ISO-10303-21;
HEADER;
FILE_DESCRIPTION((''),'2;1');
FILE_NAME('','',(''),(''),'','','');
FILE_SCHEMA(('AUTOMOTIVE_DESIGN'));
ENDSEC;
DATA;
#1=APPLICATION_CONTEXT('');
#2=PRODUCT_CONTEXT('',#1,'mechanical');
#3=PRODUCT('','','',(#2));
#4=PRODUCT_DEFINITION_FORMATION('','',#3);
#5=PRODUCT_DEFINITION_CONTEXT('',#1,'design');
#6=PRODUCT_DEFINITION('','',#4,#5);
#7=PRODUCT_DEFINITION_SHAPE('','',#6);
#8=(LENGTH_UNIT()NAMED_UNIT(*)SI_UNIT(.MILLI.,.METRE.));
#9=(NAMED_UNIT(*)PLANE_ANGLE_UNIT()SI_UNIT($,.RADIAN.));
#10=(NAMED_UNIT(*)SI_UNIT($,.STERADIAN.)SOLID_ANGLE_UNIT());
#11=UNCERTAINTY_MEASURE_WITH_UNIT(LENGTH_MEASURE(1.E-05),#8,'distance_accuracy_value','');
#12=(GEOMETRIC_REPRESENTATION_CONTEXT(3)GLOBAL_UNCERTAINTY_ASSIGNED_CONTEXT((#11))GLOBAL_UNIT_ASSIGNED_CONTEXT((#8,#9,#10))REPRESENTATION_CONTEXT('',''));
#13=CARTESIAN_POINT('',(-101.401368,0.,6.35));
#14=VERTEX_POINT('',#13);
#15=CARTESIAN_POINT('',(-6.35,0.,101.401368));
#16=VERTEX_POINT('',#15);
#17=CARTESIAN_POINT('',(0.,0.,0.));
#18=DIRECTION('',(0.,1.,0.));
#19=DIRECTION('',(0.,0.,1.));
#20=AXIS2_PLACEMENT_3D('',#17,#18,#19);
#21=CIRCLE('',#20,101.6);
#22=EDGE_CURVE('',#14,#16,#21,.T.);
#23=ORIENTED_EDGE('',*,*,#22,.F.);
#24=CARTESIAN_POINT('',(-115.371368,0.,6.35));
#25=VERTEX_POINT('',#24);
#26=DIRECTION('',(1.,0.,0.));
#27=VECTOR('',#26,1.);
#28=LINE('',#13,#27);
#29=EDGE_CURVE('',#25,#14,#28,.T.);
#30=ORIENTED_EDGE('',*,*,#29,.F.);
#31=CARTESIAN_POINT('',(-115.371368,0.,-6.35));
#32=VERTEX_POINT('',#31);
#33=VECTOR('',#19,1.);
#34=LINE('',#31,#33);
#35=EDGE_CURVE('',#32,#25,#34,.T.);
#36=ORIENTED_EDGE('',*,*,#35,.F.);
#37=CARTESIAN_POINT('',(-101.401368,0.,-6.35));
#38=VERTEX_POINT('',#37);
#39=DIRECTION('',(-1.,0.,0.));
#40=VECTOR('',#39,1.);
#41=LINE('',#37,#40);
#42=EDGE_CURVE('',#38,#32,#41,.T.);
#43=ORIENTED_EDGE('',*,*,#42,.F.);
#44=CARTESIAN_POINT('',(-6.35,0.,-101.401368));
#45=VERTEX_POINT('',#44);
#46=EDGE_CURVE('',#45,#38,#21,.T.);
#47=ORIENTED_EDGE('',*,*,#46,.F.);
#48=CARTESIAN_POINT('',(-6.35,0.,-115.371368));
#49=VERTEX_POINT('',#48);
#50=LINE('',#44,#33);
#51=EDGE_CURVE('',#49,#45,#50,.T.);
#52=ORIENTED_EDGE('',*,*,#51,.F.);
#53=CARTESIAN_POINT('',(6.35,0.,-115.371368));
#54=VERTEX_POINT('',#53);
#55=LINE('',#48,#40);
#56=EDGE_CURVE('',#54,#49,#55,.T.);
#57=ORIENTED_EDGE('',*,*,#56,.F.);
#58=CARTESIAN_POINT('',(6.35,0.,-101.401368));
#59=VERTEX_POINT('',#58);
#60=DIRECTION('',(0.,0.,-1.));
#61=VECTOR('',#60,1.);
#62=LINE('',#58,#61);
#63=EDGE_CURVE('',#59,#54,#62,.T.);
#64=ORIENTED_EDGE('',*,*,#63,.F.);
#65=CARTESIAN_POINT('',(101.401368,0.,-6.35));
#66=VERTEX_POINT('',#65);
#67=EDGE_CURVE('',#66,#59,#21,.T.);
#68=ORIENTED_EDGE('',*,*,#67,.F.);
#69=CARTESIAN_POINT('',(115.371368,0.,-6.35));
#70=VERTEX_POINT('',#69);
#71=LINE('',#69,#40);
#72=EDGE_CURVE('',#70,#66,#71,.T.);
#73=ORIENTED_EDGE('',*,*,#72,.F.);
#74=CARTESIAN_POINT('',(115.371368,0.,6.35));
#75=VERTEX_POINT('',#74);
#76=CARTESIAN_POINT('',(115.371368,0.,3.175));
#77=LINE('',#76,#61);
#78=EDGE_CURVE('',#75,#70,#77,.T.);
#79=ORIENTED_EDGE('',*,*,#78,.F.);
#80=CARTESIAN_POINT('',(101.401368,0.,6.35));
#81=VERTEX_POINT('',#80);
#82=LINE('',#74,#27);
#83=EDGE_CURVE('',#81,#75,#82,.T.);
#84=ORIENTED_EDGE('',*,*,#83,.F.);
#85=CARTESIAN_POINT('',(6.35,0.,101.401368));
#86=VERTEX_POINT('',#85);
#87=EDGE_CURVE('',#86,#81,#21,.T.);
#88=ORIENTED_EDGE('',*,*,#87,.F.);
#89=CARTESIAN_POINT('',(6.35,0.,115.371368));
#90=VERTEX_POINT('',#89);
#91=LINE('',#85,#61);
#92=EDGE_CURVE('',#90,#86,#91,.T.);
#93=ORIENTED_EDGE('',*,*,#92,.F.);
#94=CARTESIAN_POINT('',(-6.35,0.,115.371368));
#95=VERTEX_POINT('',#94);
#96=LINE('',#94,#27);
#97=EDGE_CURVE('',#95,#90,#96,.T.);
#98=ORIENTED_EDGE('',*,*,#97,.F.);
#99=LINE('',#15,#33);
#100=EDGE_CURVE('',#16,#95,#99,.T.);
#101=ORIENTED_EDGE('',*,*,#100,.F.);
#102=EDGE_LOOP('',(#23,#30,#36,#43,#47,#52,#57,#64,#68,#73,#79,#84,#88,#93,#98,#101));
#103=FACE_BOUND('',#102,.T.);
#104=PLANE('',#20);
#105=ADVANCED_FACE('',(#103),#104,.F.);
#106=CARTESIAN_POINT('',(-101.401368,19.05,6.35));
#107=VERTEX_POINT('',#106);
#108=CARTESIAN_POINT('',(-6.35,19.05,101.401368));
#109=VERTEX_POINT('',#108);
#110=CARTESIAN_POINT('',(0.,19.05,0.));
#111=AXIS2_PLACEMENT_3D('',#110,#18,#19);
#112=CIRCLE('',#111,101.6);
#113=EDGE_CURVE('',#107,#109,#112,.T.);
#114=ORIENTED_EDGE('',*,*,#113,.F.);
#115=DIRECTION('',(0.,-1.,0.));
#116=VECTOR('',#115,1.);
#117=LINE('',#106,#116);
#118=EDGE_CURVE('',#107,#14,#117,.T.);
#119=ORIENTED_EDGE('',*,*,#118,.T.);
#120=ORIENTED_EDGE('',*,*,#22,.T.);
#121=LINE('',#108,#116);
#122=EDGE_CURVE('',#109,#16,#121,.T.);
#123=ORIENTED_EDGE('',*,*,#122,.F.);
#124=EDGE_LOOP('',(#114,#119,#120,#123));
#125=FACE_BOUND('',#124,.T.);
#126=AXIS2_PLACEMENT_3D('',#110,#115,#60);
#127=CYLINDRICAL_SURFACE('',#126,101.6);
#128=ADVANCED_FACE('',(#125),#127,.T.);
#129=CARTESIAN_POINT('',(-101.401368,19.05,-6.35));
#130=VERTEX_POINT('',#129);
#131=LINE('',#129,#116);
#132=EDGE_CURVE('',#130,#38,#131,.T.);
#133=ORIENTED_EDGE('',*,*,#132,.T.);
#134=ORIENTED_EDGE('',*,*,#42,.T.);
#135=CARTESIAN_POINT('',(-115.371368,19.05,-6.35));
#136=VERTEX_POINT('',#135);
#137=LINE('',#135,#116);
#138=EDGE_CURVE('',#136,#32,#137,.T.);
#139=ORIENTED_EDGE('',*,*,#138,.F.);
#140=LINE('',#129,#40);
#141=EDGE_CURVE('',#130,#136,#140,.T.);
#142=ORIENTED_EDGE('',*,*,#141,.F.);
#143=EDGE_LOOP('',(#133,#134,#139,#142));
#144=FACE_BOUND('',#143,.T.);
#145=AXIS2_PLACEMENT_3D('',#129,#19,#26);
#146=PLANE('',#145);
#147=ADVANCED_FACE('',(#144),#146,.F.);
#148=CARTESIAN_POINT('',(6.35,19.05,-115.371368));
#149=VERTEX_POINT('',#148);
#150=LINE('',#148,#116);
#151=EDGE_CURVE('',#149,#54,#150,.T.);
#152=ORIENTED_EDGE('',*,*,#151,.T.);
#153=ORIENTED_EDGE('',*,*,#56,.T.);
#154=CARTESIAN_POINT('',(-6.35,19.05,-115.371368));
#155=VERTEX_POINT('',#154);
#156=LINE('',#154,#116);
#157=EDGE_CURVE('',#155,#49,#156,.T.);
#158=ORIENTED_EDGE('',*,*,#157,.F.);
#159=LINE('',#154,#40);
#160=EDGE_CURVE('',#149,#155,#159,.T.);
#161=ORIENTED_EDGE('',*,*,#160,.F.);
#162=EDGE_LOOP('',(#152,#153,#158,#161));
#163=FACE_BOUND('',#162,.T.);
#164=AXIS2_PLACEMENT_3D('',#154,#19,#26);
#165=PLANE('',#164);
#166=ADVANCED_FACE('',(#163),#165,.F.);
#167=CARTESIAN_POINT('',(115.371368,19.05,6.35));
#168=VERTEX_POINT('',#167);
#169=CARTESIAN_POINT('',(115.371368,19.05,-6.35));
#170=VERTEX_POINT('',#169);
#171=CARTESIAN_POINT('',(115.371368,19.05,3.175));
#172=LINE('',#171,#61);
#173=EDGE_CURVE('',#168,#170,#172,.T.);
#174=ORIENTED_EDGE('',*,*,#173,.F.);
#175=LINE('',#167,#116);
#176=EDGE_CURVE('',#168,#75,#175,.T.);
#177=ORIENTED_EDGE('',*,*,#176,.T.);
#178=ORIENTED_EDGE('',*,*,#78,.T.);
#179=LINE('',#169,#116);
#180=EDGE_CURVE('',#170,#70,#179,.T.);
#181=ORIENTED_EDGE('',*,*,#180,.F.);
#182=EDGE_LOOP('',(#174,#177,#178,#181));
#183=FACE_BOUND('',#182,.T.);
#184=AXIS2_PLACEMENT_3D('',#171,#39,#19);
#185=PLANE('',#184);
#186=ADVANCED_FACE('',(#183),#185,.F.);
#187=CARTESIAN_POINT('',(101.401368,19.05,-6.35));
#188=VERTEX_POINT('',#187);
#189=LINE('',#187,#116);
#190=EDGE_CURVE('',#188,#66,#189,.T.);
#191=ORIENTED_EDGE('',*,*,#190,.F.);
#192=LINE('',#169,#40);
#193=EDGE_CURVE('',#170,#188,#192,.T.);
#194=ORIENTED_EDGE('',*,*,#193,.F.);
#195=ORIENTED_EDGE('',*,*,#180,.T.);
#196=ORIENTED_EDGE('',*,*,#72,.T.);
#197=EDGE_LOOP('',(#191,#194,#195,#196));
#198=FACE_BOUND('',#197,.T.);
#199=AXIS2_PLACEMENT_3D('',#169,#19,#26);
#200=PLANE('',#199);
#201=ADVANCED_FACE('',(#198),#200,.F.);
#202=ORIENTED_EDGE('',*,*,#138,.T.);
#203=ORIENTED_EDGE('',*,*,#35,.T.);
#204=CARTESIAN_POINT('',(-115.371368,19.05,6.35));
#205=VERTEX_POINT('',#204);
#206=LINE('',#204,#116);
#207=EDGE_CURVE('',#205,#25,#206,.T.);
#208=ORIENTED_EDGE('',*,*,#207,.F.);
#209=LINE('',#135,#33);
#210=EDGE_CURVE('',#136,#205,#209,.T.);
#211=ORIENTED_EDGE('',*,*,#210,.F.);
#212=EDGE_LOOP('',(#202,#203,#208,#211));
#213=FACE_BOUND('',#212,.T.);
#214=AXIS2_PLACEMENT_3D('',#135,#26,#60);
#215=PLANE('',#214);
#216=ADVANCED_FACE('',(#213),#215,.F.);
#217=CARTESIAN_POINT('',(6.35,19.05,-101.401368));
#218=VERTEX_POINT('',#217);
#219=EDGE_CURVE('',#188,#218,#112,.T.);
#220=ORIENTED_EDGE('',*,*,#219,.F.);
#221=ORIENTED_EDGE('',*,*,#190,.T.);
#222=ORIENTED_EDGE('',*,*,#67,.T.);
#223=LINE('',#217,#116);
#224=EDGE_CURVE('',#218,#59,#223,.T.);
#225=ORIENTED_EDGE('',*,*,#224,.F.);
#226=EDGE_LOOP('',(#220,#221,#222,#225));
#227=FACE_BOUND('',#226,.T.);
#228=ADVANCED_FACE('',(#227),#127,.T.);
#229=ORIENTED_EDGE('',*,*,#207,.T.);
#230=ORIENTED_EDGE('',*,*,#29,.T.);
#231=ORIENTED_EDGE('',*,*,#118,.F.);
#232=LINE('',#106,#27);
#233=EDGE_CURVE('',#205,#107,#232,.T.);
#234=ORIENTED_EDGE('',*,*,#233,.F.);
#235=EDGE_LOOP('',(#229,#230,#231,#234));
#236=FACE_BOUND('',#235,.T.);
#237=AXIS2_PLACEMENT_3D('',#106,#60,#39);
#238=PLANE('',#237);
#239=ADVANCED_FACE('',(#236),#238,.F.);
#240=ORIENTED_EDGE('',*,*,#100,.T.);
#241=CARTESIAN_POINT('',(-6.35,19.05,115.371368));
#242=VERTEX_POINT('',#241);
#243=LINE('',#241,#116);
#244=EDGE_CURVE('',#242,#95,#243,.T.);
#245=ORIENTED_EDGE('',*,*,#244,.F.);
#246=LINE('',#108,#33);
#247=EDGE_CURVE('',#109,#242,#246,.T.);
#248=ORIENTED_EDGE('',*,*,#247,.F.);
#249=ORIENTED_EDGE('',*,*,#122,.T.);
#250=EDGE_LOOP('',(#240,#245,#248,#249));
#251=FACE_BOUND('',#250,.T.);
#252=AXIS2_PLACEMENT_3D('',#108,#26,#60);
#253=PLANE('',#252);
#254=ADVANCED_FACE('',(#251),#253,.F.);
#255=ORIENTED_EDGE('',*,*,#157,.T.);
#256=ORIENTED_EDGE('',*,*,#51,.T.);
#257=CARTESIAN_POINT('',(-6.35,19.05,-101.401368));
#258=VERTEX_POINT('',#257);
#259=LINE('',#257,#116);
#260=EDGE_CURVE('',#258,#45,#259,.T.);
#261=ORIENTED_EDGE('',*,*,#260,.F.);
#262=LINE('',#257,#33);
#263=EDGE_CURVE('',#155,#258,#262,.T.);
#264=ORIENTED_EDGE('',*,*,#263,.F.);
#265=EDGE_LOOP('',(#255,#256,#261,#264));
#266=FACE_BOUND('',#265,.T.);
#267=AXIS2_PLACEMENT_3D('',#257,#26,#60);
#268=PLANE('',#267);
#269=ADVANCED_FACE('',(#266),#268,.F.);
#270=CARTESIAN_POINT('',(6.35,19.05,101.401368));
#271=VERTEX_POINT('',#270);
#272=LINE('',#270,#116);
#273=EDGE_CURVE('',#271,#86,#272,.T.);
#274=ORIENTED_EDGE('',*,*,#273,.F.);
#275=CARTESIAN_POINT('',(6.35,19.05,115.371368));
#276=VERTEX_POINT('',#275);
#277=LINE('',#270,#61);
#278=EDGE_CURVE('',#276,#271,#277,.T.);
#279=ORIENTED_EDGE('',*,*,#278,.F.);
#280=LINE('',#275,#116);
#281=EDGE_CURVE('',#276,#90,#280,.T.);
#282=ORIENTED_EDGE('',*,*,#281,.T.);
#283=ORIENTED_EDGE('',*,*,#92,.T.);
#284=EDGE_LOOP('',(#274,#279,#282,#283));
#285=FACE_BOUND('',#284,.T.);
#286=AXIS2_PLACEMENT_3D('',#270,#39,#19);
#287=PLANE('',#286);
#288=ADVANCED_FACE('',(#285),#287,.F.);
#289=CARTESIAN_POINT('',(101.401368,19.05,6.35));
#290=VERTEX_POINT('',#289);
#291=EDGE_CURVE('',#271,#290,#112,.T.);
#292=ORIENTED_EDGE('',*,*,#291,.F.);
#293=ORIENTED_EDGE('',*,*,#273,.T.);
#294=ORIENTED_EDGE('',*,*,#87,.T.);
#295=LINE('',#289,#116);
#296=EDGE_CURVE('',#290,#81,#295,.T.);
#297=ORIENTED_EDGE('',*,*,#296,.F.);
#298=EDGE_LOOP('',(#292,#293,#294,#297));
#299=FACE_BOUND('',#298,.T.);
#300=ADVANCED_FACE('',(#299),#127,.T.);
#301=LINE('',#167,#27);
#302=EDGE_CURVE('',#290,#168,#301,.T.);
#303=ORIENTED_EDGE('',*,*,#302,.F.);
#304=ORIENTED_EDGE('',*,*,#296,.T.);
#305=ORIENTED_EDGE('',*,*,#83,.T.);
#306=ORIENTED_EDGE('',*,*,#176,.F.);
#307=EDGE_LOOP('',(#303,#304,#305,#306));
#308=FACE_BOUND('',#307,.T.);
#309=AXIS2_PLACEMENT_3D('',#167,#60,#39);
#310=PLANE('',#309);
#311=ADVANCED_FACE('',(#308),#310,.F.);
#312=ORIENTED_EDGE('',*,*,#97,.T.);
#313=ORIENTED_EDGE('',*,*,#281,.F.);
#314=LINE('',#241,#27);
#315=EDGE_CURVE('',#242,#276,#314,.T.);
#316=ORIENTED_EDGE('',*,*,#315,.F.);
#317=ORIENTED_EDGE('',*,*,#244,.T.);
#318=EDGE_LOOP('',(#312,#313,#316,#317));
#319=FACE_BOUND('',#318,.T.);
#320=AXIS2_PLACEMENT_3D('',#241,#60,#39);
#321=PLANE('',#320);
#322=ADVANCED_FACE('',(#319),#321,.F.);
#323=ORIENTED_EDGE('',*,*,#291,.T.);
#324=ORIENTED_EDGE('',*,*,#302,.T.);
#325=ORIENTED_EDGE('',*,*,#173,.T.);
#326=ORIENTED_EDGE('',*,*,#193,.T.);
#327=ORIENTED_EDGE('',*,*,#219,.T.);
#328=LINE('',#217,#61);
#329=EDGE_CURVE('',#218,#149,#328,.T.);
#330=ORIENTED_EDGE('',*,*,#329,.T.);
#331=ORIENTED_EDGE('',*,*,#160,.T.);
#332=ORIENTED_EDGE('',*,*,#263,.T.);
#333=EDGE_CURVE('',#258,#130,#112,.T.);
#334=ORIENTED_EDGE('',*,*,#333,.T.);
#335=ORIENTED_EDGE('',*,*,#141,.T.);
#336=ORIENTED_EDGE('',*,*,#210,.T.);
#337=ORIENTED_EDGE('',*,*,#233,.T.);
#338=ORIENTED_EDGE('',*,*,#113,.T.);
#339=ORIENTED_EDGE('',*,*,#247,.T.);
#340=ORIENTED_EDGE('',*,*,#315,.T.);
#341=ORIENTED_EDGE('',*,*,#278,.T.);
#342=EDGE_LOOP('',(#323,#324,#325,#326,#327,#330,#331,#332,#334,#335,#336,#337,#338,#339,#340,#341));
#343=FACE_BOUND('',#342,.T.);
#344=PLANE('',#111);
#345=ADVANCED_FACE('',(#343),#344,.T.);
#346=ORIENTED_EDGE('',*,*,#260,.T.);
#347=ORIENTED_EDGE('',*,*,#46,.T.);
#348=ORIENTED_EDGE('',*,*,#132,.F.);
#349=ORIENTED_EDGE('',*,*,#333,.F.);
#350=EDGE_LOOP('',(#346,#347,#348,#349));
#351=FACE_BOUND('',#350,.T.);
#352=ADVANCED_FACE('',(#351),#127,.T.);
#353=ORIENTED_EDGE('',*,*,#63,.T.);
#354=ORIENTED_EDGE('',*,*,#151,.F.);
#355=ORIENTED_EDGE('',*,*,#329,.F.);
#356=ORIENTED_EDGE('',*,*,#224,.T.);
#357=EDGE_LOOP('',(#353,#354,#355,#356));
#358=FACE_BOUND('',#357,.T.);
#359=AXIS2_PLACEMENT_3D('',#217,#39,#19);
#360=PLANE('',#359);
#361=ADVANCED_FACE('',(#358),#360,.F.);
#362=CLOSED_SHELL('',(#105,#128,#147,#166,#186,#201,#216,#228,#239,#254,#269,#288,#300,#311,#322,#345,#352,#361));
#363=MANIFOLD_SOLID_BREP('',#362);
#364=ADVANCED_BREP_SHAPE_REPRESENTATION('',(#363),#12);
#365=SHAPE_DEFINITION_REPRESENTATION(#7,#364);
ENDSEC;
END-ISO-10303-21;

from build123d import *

# Parameters (mm, degrees)
BOSS_EXTRUDE1_DEPTH = 19.05


with BuildPart() as part:
    # Sketch1 → Boss-Extrude1 (new body)
    with BuildSketch(Plane(origin=(0, 0, 0), x_dir=(1, 0, 0), z_dir=(0, 1, 0))):
        with BuildLine():
            Line((-6.35, 115.371368334), (6.35, 115.371368334))
            Line((6.35, 115.371368334), (6.35, 101.401368334))
            ThreePointArc((6.35, 101.401368334), (71.842048969, 71.842048969), (101.401368334, 6.35))
            Line((101.401368334, 6.35), (115.371368334, 6.35))
            Line((115.371368334, 6.35), (115.371368334, -3.175))
            Line((115.371368334, -3.175), (115.371368334, -6.35))
            Line((115.371368334, -6.35), (101.401368334, -6.35))
            ThreePointArc((101.401368334, -6.35), (71.842048969, -71.842048969), (6.35, -101.401368334))
            Line((6.35, -101.401368334), (6.35, -115.371368334))
            Line((6.35, -115.371368334), (-6.35, -115.371368334))
            Line((-6.35, -115.371368334), (-6.35, -101.401368334))
            ThreePointArc((-6.35, -101.401368334), (-71.842048969, -71.842048969), (-101.401368334, -6.35))
            Line((-101.401368334, -6.35), (-115.371368334, -6.35))
            Line((-115.371368334, -6.35), (-115.371368334, 6.35))
            Line((-115.371368334, 6.35), (-101.401368334, 6.35))
            ThreePointArc((-101.401368334, 6.35), (-71.842048969, 71.842048969), (-6.35, 101.401368334))
            Line((-6.35, 101.401368334), (-6.35, 115.371368334))
        make_face()
    extrude(amount=BOSS_EXTRUDE1_DEPTH)


solid = part.part
